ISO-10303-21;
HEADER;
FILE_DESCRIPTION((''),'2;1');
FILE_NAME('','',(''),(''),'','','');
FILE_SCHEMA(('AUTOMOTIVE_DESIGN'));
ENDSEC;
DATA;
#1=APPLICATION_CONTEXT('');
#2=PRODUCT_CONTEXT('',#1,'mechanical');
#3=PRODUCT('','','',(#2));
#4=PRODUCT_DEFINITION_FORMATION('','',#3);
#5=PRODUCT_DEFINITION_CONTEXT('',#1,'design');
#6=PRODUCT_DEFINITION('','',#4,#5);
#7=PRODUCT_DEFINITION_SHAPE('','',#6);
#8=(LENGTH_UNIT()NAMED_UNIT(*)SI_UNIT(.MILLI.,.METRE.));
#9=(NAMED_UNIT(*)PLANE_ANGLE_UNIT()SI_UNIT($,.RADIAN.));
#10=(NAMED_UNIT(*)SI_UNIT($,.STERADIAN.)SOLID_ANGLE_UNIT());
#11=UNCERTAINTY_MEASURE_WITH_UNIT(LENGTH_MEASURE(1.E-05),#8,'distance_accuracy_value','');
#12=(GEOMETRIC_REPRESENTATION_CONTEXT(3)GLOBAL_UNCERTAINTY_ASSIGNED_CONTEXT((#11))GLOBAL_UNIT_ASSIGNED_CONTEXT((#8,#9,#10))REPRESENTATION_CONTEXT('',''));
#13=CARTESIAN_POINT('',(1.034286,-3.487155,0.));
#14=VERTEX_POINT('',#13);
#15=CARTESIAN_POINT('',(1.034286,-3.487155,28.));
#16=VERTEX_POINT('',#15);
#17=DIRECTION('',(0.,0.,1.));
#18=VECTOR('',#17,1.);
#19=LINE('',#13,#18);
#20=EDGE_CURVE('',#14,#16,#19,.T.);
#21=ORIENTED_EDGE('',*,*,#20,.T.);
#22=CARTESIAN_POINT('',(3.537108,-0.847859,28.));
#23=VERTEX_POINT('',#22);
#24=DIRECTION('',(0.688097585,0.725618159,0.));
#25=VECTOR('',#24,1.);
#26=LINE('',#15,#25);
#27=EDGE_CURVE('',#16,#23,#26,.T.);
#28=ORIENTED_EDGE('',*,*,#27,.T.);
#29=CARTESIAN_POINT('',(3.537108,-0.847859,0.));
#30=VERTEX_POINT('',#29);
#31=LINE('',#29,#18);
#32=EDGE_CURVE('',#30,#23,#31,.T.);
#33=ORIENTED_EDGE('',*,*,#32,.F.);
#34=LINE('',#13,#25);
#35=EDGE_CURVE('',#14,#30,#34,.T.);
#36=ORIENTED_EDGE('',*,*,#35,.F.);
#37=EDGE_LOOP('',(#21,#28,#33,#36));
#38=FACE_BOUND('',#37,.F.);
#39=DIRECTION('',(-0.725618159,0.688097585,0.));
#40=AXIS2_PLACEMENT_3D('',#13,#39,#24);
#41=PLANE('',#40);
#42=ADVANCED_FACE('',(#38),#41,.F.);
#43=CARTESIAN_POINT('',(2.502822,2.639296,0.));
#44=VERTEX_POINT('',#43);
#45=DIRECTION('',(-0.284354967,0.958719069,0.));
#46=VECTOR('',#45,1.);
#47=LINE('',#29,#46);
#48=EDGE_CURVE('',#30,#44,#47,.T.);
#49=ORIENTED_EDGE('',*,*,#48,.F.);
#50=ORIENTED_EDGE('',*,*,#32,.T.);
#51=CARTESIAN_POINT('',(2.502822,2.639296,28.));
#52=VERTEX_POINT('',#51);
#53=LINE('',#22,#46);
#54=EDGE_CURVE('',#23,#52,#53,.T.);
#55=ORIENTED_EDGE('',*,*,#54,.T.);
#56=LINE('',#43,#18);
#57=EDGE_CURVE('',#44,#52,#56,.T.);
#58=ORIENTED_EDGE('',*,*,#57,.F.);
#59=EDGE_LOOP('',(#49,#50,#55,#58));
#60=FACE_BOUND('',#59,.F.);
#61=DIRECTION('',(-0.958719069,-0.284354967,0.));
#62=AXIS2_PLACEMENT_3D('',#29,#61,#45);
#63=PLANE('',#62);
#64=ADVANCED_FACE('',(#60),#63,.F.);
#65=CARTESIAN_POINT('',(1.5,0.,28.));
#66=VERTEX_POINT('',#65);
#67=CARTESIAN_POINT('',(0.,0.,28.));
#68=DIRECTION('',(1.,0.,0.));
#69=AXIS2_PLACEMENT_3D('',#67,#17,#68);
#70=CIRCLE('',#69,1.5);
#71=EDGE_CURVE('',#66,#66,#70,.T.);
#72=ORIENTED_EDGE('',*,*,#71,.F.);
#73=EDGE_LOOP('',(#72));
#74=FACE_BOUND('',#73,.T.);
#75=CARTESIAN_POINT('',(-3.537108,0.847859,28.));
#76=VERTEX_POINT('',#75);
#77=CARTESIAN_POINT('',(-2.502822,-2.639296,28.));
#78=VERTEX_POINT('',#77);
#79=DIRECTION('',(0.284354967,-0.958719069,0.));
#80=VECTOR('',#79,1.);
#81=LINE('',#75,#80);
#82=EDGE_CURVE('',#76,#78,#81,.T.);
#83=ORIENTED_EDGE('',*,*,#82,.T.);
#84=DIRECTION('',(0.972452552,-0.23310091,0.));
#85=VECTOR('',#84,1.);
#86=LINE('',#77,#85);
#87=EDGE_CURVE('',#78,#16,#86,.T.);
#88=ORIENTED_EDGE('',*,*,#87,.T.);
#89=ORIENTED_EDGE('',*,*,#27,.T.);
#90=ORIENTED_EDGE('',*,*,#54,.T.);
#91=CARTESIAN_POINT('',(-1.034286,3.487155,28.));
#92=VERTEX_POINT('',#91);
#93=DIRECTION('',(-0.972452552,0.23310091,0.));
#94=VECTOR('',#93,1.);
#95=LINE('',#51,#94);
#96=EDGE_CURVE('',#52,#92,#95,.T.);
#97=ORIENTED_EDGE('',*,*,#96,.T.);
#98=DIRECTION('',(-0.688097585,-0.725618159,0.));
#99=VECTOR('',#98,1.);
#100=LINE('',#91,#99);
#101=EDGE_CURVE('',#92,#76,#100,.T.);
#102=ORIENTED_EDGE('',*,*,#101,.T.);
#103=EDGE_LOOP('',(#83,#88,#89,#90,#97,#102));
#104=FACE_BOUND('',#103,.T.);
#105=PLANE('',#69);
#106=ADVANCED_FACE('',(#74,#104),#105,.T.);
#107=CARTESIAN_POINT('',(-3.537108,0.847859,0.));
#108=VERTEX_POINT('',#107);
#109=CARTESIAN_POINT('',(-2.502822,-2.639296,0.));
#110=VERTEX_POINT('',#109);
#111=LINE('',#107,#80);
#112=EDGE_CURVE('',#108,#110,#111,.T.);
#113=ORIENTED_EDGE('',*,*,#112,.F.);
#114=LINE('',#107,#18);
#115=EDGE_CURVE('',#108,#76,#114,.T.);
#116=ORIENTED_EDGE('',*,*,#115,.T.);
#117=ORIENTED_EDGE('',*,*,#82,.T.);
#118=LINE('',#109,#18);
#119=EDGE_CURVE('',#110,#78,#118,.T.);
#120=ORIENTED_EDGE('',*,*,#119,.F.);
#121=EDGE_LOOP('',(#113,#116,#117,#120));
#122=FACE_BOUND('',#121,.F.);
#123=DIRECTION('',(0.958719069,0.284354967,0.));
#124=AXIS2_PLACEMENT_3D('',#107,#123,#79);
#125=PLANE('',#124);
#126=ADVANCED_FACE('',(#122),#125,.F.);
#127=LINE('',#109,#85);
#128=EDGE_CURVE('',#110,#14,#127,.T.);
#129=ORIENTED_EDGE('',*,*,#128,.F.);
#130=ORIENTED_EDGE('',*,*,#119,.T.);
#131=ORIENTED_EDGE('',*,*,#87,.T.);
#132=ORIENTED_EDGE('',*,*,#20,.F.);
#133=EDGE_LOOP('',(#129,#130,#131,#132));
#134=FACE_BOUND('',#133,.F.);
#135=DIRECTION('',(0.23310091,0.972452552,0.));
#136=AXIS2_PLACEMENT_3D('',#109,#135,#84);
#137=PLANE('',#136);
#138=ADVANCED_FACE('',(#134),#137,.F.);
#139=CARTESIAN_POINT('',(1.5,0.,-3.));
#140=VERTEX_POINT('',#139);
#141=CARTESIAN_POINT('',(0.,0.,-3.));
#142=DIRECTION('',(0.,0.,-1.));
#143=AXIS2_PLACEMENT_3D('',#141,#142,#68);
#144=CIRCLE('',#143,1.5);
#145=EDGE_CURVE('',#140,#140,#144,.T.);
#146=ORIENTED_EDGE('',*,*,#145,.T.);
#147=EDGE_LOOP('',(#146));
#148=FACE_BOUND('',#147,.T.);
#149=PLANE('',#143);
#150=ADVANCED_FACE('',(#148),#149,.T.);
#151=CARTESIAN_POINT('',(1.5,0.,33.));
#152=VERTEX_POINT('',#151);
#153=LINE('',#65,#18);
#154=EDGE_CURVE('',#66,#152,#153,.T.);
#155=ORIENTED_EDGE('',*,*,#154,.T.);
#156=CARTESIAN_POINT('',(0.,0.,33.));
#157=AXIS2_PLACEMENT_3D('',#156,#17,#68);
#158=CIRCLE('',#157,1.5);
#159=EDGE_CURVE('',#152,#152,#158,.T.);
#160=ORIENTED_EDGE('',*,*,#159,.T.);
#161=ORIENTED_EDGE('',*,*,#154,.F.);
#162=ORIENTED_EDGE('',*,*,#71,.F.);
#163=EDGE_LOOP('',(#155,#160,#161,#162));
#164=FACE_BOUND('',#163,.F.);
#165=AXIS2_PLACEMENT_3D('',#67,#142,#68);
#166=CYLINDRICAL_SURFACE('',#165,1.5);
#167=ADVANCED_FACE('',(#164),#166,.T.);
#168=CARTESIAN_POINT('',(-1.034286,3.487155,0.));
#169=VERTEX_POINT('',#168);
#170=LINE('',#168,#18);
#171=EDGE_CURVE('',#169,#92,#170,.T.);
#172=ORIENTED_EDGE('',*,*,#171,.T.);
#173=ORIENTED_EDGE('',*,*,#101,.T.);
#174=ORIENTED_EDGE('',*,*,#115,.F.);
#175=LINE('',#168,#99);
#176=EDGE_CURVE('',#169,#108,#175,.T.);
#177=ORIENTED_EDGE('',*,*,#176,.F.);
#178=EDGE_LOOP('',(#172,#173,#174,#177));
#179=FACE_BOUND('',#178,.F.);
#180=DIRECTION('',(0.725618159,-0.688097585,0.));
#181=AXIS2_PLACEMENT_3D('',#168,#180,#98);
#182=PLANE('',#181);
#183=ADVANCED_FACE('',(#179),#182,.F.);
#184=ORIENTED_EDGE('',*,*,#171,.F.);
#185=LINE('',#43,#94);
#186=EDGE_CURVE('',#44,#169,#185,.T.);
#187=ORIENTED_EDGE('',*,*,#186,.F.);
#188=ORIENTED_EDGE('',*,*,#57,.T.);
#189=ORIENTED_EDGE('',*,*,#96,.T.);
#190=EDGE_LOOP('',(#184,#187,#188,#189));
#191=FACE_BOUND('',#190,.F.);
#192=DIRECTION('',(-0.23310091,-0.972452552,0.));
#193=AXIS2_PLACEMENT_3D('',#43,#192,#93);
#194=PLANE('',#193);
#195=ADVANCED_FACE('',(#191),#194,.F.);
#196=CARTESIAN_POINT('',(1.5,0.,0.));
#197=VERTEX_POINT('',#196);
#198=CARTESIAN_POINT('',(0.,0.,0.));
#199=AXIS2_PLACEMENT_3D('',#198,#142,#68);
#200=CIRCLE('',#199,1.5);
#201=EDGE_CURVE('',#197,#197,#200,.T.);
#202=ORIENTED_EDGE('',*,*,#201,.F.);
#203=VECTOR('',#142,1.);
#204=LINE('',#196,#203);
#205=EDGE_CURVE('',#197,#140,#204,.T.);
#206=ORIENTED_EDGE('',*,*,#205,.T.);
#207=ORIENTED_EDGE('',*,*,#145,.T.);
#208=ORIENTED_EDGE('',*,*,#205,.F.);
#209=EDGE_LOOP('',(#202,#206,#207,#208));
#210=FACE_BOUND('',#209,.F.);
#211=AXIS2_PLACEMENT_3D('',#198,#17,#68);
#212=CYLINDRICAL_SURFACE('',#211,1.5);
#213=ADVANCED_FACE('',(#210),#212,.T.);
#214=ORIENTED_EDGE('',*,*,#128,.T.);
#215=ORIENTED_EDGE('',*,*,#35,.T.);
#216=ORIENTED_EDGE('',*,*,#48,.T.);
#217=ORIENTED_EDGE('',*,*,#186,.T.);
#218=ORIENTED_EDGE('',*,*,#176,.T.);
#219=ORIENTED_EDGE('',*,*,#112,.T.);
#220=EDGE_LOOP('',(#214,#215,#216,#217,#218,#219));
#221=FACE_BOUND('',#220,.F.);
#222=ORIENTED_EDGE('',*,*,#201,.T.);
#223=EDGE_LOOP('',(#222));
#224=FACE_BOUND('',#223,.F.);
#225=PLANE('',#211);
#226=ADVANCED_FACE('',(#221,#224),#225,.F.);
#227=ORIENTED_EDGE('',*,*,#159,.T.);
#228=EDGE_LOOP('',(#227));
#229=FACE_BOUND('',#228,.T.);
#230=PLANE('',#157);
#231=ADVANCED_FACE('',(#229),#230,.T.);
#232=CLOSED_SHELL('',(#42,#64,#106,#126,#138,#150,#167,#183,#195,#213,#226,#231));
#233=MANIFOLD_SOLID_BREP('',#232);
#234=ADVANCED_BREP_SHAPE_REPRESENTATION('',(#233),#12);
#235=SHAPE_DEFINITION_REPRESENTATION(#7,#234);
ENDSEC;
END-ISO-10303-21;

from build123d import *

# Parameters (mm, degrees)
F1_DEPTH = 28
F2_R     = 1.5
F3_DEPTH = 5
F4_R     = 1.5
F5_DEPTH = 3


with BuildPart() as f1:
    # F0 (on Top) → F1 (new body)
    with BuildSketch(Plane.XY):
        Polygon((3.5371081789, -0.8478594996), (2.5028219549, 2.639295789), (-1.0342862239, 3.4871552886), (-3.5371081789, 0.8478594996), (-2.5028219549, -2.639295789), (1.0342862239, -3.4871552886), align=None)
    extrude(amount=F1_DEPTH)

    # F2 (on face) → F3 (join)
    with BuildSketch(Plane.XY.offset(28)):
        Circle(F2_R)
    extrude(amount=F3_DEPTH)

    # F4 (on face) → F5 (join)
    with BuildSketch(Plane(origin=(0, 0, 0), x_dir=(1, 0, 0), z_dir=(0, 0, -1))):
        Circle(F4_R)
    extrude(amount=F5_DEPTH)


solid = f1.part
